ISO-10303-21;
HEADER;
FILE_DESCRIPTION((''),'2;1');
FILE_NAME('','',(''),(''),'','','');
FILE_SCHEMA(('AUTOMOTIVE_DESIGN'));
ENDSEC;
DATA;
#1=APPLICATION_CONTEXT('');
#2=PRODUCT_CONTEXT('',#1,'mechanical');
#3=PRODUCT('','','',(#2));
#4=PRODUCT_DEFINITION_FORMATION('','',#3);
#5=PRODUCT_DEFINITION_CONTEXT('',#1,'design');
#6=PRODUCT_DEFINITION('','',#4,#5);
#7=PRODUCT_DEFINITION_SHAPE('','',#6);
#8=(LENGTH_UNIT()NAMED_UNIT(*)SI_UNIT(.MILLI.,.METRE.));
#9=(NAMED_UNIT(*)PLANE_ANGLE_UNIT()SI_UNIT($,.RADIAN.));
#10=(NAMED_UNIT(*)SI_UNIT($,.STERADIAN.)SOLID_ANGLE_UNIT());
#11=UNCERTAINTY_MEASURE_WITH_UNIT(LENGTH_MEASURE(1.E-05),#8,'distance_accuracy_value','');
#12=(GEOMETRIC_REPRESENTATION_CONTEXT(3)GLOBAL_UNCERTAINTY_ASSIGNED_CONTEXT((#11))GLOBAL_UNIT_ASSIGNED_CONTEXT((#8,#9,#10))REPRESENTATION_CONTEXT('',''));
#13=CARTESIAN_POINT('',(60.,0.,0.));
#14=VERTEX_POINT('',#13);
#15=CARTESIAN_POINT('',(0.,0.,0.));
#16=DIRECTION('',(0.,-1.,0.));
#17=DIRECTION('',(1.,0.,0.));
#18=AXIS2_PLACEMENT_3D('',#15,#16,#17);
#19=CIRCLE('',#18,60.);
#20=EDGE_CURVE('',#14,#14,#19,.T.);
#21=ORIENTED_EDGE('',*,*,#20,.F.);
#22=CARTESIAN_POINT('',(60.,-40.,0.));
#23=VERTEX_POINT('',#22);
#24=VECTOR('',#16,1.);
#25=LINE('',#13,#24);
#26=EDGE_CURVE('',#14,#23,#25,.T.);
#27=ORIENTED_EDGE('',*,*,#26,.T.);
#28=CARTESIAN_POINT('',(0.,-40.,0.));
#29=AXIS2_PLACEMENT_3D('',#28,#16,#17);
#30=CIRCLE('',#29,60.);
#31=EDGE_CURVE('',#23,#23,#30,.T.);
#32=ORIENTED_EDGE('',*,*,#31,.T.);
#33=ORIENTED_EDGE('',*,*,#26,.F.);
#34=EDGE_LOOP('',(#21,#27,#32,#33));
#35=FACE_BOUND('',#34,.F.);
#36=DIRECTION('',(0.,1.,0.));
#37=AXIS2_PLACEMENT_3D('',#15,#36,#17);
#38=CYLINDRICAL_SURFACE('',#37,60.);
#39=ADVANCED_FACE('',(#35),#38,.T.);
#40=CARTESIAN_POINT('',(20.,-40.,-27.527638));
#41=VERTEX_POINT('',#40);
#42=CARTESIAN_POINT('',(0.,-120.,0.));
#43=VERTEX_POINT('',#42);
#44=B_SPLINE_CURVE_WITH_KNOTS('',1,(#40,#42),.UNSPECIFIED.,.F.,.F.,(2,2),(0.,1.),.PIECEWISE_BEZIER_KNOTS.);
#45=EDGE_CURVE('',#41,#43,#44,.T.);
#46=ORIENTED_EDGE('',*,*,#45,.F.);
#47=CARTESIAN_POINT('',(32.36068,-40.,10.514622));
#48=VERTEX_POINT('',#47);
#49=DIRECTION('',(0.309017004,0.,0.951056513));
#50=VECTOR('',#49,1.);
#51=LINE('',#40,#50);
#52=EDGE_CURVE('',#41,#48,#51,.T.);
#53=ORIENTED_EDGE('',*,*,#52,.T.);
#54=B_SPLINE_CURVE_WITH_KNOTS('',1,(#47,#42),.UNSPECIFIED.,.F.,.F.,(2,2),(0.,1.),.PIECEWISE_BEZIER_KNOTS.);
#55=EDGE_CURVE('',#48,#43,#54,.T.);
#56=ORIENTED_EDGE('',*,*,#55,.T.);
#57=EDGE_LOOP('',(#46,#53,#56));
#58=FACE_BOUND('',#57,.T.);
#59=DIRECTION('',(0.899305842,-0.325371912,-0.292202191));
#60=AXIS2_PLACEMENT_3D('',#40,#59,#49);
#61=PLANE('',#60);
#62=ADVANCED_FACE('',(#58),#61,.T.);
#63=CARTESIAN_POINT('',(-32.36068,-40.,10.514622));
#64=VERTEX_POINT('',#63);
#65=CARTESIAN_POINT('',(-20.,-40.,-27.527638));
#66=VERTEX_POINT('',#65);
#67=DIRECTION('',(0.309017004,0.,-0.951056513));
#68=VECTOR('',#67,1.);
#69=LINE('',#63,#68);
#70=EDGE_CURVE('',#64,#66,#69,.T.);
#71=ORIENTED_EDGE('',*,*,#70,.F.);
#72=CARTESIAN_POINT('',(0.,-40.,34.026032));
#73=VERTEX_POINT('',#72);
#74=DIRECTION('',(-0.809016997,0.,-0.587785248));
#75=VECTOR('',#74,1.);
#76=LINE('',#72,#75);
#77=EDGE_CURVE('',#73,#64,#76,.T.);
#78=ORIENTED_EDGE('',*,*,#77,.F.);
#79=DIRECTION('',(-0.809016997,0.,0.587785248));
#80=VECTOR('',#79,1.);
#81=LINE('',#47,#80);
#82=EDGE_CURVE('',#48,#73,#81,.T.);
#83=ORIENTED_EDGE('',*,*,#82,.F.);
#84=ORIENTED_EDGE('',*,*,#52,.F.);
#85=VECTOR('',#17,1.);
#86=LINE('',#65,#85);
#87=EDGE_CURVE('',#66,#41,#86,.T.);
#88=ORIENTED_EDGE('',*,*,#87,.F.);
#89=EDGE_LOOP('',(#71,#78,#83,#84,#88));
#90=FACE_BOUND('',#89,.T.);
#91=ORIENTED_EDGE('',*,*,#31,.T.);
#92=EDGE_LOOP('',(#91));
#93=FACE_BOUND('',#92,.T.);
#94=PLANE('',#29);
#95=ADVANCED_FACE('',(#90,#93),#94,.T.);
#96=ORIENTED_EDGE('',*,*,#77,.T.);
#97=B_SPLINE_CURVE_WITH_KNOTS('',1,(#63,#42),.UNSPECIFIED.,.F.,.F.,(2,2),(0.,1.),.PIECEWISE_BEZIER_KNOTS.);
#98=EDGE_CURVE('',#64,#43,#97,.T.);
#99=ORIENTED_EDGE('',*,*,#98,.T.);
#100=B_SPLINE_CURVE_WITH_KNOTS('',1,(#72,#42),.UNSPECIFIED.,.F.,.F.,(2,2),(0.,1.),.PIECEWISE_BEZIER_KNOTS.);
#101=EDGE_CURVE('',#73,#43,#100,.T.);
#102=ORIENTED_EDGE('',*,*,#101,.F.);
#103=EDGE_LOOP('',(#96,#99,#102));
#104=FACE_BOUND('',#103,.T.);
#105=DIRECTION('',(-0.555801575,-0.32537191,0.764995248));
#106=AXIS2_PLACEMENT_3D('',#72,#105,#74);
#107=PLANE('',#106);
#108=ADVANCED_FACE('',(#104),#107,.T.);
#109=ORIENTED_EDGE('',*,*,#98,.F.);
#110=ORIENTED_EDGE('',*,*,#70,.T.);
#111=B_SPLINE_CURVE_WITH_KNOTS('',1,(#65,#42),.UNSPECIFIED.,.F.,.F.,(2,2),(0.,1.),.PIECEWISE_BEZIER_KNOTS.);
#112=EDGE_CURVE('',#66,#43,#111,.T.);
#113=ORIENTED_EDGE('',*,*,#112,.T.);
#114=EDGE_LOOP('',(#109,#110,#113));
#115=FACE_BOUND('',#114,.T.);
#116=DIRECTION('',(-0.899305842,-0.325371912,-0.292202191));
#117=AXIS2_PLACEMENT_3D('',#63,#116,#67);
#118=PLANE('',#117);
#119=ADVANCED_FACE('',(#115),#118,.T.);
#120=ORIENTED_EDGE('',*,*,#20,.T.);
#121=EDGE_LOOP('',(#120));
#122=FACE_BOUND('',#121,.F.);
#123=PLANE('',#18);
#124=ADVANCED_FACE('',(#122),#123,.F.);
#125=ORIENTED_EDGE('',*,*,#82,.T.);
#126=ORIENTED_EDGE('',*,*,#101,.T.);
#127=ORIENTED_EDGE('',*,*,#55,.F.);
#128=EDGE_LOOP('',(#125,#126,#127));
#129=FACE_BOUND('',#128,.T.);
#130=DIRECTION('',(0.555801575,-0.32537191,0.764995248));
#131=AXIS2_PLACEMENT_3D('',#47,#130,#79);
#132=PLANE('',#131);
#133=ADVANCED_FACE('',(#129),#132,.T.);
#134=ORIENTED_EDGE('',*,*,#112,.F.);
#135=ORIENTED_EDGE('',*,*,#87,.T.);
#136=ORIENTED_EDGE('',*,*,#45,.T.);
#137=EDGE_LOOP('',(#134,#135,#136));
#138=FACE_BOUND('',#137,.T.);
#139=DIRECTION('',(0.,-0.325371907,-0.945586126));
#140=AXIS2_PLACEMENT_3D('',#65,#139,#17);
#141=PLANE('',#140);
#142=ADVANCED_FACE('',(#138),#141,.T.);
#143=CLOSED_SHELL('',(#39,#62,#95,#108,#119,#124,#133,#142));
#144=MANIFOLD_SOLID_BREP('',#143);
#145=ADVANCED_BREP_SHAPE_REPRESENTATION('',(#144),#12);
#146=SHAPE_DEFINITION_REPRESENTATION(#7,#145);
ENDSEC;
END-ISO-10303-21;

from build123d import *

# Parameters (mm, degrees)
F0_R     = 60
F1_DEPTH = 40


with BuildPart() as f1:
    # F0 (on Front) → F1 (new body)
    with BuildSketch(Plane.XZ):
        Circle(F0_R)
    extrude(amount=F1_DEPTH)

    # F2 (on face) → F5 section 0
    with BuildSketch(Plane.XZ.offset(40), mode=Mode.PRIVATE) as f5_s0:
        Polygon((32.36068, 10.514622), (0, 34.026032), (-32.36068, 10.514622), (-20, -27.527638), (20, -27.527638), align=None)
    loft([f5_s0.sketch, Vertex(0, -120, 0)])


solid = f1.part
